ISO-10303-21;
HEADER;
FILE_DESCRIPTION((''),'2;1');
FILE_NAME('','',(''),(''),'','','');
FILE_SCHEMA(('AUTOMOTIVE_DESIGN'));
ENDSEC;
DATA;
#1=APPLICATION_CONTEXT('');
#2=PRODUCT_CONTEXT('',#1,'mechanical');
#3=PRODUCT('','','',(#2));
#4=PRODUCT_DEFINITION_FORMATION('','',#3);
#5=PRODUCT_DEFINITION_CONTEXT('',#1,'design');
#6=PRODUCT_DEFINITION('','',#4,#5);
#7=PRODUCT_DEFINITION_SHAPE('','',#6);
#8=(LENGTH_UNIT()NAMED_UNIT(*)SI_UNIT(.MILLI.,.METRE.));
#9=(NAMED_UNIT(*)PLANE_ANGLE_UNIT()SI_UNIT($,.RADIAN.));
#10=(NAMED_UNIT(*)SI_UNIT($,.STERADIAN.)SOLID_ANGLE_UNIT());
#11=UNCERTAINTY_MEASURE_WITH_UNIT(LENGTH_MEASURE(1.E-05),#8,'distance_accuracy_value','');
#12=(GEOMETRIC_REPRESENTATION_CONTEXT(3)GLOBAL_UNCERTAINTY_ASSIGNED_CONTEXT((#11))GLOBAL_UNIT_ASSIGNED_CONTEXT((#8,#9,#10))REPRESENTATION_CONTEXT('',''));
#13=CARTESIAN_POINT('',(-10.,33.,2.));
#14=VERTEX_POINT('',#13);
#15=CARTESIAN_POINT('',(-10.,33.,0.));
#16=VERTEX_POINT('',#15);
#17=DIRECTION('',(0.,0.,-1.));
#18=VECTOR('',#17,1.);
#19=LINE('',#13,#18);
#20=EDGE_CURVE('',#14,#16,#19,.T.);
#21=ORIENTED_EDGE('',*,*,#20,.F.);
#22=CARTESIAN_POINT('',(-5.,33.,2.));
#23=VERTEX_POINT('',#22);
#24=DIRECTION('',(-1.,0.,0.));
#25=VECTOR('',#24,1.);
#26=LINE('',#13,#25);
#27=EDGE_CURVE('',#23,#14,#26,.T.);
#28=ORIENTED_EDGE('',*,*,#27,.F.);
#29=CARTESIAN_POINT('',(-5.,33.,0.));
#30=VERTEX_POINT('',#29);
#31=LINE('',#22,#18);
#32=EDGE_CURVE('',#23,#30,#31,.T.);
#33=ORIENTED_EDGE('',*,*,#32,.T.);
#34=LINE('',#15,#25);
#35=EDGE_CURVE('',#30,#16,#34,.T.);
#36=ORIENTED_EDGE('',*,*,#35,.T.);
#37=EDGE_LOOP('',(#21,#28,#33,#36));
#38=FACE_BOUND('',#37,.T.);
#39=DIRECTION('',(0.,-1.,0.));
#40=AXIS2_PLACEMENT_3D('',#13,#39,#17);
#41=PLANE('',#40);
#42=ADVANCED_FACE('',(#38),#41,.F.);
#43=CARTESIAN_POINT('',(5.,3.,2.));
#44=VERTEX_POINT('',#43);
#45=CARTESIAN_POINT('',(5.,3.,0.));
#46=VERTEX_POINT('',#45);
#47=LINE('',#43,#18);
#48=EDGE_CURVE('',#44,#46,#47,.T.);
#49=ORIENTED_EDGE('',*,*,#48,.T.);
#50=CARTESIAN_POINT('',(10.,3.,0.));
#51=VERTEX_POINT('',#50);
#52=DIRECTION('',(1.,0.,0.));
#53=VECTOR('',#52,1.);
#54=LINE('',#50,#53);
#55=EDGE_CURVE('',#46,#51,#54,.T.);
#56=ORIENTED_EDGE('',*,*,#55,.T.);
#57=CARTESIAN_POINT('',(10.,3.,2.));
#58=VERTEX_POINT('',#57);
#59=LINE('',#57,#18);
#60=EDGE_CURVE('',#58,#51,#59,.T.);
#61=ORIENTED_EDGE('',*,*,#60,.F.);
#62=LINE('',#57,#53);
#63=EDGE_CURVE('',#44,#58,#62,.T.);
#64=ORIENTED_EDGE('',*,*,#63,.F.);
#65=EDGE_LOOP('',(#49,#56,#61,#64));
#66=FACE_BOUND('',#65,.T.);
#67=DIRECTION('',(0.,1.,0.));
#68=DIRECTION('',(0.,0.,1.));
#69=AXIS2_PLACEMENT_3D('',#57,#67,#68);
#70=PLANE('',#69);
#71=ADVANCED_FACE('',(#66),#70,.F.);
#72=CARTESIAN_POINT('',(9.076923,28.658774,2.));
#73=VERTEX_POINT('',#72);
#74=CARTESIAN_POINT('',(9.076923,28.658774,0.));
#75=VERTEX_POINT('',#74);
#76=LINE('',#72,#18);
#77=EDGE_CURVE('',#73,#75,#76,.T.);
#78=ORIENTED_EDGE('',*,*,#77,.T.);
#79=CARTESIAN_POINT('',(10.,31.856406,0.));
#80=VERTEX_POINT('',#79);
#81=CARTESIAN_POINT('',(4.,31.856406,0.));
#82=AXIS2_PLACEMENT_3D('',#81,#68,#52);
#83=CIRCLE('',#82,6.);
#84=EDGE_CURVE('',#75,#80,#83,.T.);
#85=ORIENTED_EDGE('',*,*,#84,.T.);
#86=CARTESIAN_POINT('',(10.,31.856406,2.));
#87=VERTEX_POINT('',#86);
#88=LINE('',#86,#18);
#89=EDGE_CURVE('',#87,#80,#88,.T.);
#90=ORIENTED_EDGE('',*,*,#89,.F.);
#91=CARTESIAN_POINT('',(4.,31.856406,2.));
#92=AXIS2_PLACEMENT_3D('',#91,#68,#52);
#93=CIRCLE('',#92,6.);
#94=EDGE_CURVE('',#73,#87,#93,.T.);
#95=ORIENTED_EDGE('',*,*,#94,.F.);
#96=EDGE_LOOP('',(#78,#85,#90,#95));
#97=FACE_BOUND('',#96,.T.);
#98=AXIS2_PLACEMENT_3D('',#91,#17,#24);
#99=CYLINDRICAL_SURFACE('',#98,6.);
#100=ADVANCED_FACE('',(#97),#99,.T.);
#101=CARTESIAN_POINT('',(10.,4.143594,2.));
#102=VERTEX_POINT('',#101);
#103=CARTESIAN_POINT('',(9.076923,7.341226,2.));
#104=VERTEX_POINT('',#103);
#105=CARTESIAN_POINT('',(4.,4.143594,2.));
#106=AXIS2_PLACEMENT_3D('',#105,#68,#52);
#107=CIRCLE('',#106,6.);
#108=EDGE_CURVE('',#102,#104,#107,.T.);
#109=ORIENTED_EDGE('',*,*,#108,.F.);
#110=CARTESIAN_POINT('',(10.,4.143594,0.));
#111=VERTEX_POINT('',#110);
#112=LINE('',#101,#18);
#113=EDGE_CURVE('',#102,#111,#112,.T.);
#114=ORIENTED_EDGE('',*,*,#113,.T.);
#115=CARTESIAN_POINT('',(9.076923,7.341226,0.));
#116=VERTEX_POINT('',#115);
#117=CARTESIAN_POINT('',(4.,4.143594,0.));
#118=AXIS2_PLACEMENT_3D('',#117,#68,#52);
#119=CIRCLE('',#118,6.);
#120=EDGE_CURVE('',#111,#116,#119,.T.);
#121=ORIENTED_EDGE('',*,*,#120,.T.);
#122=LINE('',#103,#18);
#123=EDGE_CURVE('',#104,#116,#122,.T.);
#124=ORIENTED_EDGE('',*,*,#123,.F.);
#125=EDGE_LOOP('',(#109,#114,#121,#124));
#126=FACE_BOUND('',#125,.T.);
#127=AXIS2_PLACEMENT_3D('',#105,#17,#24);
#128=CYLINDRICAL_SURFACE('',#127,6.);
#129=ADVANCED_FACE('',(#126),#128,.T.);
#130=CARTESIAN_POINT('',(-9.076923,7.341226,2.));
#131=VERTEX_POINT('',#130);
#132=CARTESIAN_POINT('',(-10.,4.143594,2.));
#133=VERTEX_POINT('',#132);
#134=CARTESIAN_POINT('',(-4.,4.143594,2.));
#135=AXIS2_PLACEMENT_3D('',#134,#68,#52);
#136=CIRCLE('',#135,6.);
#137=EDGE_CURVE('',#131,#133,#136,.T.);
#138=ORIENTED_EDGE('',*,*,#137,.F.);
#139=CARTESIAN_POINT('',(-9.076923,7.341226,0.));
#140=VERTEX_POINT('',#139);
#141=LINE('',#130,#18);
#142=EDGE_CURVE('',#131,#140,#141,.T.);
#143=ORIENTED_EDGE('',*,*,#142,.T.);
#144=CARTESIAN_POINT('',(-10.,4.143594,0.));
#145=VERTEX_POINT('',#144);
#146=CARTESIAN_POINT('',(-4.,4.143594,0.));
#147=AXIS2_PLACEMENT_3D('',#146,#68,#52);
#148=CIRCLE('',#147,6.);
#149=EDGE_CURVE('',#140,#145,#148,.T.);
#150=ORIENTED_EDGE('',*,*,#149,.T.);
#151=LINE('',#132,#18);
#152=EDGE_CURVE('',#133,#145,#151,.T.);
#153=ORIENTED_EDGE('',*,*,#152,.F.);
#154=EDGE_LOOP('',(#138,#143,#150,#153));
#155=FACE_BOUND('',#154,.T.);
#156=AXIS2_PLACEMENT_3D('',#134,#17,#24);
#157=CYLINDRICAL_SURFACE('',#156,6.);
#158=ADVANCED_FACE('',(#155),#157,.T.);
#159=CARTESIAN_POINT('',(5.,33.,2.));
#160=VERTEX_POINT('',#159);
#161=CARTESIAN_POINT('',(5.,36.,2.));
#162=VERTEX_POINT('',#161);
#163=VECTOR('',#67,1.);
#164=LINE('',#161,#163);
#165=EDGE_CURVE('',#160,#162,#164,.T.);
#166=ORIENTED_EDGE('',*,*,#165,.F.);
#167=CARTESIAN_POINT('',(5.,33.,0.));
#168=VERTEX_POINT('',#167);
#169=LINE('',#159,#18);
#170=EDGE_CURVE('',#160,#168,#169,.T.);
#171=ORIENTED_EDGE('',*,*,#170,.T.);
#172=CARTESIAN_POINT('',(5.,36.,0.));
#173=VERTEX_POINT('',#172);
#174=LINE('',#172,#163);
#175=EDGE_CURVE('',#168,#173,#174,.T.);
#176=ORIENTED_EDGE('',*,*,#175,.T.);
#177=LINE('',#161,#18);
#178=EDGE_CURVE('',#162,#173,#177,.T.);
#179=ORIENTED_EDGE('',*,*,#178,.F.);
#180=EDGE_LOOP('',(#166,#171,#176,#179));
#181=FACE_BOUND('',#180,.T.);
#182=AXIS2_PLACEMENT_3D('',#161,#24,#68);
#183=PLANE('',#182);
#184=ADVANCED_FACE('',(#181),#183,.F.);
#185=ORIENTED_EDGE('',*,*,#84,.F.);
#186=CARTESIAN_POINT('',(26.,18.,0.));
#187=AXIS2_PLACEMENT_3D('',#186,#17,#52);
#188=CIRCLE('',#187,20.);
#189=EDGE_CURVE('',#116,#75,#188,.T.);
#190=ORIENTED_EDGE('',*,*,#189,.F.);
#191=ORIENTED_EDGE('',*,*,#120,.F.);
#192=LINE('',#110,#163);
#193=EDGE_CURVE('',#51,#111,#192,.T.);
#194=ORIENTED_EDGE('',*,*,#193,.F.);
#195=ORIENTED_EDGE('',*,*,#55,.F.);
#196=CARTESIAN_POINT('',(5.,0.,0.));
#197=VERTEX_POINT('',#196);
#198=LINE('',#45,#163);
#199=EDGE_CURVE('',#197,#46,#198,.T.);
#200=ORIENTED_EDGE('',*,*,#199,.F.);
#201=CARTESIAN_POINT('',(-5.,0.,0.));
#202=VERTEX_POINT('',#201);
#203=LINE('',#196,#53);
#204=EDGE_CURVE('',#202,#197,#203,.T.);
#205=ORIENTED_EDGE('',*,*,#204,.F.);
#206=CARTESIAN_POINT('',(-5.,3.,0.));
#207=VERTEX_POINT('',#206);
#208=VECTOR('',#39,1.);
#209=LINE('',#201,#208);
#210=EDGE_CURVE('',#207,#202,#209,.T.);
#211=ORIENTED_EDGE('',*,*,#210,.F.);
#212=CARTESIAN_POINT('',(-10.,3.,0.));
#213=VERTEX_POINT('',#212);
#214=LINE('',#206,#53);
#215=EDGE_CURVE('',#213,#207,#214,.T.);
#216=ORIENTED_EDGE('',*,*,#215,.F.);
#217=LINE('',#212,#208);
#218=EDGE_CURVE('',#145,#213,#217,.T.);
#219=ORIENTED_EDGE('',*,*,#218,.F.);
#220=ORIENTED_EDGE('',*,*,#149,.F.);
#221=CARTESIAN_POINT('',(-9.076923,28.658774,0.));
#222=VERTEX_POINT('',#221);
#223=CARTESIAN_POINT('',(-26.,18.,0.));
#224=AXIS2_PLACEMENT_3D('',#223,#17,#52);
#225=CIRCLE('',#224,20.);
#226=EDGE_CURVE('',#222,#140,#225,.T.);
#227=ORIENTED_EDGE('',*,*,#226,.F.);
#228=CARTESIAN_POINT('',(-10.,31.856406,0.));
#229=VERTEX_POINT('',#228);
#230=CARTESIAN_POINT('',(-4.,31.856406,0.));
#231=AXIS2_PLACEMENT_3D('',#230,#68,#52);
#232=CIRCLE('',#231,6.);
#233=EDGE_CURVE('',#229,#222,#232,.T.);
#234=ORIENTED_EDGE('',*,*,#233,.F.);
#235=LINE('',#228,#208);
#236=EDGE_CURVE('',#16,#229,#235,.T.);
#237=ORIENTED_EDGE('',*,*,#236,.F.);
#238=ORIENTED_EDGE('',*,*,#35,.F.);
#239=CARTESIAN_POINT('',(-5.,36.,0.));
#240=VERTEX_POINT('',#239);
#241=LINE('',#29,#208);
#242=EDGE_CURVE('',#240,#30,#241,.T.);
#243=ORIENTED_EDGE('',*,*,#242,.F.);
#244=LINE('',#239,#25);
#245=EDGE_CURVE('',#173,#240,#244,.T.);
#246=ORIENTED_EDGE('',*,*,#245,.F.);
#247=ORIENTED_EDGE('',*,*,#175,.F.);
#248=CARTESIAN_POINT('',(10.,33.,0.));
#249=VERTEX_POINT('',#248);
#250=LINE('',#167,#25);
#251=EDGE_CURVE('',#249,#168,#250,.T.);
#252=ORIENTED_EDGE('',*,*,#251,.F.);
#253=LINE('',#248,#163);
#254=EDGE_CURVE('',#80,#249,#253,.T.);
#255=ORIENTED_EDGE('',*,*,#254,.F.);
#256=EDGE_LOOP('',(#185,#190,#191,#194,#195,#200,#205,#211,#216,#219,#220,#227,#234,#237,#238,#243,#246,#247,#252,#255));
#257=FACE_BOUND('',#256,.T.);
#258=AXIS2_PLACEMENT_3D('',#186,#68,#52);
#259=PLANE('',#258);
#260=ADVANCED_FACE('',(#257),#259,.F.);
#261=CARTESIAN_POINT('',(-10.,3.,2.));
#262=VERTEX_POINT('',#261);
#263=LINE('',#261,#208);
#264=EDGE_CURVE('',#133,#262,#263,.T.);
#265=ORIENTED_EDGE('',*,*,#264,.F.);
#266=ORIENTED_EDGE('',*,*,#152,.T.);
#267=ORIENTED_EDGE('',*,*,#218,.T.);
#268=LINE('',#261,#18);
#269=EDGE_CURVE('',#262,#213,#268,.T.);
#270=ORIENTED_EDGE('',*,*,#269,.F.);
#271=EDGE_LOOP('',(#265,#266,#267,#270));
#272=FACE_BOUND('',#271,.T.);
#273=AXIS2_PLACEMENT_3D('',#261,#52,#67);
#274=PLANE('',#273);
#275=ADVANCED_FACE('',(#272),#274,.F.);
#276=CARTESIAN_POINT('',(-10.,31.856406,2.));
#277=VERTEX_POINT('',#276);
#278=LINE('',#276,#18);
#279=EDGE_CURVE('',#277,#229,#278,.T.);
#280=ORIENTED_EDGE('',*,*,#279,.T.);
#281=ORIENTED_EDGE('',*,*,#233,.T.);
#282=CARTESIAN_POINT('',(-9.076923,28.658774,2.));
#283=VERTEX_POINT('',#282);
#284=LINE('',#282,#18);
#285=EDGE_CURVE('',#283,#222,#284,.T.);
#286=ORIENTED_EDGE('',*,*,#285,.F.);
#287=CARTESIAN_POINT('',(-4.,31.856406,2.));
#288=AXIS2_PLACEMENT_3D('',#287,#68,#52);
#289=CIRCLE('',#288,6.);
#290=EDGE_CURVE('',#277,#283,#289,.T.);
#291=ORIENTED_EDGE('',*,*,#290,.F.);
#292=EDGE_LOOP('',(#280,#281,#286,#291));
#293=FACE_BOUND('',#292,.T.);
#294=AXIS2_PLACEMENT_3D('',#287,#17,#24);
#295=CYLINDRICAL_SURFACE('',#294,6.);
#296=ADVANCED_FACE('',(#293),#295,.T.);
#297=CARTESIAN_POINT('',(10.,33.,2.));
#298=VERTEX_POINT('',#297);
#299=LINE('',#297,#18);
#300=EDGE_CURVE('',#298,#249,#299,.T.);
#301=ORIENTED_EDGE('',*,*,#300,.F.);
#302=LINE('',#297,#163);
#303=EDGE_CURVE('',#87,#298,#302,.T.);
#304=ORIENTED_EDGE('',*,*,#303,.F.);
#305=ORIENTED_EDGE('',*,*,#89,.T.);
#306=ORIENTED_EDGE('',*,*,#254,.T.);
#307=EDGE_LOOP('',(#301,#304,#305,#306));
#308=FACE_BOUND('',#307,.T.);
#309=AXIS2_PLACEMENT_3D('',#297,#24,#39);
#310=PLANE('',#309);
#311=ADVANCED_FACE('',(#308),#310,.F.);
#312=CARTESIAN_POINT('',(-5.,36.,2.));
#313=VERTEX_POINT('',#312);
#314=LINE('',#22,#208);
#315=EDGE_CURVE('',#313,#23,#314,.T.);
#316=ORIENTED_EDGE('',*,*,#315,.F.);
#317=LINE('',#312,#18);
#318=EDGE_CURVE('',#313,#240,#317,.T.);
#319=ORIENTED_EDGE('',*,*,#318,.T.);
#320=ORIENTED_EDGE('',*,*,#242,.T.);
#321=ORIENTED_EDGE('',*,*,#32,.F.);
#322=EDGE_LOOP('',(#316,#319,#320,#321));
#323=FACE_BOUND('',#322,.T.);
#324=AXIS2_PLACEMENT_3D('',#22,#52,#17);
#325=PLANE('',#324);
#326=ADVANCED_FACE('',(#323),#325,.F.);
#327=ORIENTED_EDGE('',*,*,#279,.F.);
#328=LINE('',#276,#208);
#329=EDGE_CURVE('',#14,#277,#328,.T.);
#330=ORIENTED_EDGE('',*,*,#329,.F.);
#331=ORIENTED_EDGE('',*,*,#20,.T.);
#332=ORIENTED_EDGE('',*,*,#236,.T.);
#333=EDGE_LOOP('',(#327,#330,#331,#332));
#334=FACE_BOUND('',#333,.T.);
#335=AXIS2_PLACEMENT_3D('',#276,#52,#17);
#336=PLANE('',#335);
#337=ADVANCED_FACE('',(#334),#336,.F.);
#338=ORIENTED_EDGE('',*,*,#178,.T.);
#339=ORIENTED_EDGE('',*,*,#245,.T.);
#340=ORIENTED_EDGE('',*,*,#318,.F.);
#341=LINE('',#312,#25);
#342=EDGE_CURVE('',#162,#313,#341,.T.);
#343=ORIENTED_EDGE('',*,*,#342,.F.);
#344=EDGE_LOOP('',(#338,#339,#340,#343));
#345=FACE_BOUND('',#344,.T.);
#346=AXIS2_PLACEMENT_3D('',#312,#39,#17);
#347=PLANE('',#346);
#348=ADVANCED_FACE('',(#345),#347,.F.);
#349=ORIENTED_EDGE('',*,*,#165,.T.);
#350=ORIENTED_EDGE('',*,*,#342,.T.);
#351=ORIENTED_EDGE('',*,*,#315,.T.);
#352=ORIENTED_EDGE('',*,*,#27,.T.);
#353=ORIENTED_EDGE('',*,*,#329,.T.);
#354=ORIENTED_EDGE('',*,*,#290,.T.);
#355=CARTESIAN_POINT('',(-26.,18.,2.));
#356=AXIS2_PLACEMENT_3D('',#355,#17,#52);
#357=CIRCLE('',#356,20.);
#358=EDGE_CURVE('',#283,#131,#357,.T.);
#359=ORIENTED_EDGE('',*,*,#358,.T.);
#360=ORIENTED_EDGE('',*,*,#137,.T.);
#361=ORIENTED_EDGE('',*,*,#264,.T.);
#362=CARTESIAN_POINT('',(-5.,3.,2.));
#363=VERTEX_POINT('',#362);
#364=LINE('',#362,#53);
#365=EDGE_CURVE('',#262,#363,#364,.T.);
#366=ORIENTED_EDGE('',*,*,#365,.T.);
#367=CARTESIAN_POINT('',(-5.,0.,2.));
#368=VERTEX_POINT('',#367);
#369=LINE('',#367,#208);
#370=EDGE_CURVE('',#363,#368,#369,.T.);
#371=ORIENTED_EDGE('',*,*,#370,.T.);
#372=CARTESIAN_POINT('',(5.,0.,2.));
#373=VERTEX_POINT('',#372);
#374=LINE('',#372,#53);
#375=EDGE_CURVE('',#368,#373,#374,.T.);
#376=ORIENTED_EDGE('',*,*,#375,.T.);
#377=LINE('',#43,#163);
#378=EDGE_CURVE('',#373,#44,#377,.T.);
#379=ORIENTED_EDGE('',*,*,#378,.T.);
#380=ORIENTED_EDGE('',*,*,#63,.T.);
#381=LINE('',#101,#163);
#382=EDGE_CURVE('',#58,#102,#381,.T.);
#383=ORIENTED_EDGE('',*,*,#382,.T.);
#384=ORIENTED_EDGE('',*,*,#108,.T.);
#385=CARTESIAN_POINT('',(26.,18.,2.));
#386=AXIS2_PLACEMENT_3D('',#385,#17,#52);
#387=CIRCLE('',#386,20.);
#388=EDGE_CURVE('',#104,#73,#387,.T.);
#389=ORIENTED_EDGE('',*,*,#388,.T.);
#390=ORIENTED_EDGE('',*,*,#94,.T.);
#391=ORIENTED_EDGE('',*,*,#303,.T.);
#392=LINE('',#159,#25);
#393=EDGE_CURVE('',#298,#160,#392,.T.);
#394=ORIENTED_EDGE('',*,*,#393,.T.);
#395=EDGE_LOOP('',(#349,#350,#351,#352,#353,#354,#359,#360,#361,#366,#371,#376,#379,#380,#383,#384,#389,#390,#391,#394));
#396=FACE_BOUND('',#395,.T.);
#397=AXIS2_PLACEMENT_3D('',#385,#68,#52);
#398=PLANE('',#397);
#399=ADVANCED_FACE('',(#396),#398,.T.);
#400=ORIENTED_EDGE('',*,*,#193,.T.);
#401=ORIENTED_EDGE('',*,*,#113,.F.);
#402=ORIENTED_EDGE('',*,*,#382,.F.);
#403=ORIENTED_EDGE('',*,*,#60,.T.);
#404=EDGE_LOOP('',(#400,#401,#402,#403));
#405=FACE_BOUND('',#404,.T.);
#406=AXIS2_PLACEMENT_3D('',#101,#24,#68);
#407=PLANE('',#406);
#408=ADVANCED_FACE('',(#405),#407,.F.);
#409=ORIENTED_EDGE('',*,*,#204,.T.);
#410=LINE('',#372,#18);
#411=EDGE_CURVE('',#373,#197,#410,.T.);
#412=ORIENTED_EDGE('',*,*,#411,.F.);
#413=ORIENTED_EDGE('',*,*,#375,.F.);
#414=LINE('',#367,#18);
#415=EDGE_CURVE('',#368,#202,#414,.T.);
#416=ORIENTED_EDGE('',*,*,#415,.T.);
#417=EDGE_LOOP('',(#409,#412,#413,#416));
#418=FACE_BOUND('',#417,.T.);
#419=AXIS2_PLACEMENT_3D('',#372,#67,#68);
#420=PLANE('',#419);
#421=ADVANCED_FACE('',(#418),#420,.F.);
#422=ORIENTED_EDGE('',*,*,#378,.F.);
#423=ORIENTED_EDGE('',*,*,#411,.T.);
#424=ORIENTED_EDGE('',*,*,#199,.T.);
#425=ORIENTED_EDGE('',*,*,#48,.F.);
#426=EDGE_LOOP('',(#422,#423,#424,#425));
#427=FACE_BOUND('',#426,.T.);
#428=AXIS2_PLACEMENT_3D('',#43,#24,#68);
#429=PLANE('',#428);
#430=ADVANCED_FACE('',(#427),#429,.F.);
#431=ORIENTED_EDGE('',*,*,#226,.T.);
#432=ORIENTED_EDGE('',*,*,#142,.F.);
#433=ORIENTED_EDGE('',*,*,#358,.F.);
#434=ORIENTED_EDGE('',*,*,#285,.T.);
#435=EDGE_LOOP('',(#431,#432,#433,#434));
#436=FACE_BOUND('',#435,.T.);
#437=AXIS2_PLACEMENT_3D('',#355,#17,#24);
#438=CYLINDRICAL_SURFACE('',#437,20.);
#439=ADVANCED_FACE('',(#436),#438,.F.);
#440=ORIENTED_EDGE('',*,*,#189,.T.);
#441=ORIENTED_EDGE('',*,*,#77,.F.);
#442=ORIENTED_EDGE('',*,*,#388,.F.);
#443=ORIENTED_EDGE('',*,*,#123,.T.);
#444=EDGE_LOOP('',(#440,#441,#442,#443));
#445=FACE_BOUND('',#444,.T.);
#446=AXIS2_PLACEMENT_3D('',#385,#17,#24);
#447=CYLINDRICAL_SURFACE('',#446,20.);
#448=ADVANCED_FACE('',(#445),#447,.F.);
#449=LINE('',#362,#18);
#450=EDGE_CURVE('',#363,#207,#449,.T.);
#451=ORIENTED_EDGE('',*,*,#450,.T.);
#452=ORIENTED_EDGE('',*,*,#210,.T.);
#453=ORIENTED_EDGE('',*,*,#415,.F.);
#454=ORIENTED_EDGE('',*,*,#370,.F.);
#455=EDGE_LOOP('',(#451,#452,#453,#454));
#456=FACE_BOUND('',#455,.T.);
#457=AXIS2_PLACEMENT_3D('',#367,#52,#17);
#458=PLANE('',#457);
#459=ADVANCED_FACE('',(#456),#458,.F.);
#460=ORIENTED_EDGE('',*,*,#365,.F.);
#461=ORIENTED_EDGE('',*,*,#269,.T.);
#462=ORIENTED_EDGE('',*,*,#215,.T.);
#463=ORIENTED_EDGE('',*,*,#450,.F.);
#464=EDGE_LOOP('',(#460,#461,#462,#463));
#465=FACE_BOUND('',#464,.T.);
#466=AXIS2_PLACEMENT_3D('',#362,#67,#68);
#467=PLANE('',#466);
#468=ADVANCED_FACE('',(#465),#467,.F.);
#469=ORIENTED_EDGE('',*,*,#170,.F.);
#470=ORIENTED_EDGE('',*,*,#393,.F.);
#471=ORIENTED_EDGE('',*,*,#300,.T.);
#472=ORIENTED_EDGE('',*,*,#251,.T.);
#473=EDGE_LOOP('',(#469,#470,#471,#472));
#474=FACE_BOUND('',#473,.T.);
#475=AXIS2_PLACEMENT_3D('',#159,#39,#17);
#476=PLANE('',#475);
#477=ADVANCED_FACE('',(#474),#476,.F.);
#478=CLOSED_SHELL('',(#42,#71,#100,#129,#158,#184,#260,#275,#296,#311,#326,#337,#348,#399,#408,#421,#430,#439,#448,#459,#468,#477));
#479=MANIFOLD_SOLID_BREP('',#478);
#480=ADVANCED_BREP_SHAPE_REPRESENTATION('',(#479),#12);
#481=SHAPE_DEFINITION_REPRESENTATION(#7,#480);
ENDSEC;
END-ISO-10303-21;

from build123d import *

# Parameters (mm, degrees)
EXTRUDE_1_DEPTH = 2


with BuildPart() as part:
    # Model → Бобышка-Вытянуть1 (new body)
    with BuildSketch(Plane.XY):
        with BuildLine():
            Line((-10, 33), (-5, 33))
            Line((-5, 33), (-5, 36))
            Line((-5, 36), (5, 36))
            Line((5, 36), (5, 33))
            Line((5, 33), (10, 33))
            Line((10, 33), (10, 31.856406461))
            ThreePointArc((10, 31.856406461), (9.764613537, 30.192305872), (9.076923077, 28.6587742))
            ThreePointArc((9.076923077, 28.6587742), (6, 18), (9.076923077, 7.3412258))
            ThreePointArc((9.076923077, 7.3412258), (9.764613537, 5.807694128), (10, 4.143593539))
            Line((10, 4.143593539), (10, 3))
            Line((10, 3), (5, 3))
            Line((5, 3), (5, 0))
            Line((5, 0), (-5, 0))
            Line((-5, 0), (-5, 3))
            Line((-5, 3), (-10, 3))
            Line((-10, 3), (-10, 4.143593539))
            ThreePointArc((-10, 4.143593539), (-9.764613537, 5.807694128), (-9.076923077, 7.3412258))
            ThreePointArc((-9.076923077, 7.3412258), (-6.000000001, 18), (-9.076923078, 28.6587742))
            ThreePointArc((-9.076923078, 28.6587742), (-9.764613538, 30.192305872), (-10, 31.856406461))
            Line((-10, 31.856406461), (-10, 33))
        make_face()
    extrude(amount=EXTRUDE_1_DEPTH)


solid = part.part
